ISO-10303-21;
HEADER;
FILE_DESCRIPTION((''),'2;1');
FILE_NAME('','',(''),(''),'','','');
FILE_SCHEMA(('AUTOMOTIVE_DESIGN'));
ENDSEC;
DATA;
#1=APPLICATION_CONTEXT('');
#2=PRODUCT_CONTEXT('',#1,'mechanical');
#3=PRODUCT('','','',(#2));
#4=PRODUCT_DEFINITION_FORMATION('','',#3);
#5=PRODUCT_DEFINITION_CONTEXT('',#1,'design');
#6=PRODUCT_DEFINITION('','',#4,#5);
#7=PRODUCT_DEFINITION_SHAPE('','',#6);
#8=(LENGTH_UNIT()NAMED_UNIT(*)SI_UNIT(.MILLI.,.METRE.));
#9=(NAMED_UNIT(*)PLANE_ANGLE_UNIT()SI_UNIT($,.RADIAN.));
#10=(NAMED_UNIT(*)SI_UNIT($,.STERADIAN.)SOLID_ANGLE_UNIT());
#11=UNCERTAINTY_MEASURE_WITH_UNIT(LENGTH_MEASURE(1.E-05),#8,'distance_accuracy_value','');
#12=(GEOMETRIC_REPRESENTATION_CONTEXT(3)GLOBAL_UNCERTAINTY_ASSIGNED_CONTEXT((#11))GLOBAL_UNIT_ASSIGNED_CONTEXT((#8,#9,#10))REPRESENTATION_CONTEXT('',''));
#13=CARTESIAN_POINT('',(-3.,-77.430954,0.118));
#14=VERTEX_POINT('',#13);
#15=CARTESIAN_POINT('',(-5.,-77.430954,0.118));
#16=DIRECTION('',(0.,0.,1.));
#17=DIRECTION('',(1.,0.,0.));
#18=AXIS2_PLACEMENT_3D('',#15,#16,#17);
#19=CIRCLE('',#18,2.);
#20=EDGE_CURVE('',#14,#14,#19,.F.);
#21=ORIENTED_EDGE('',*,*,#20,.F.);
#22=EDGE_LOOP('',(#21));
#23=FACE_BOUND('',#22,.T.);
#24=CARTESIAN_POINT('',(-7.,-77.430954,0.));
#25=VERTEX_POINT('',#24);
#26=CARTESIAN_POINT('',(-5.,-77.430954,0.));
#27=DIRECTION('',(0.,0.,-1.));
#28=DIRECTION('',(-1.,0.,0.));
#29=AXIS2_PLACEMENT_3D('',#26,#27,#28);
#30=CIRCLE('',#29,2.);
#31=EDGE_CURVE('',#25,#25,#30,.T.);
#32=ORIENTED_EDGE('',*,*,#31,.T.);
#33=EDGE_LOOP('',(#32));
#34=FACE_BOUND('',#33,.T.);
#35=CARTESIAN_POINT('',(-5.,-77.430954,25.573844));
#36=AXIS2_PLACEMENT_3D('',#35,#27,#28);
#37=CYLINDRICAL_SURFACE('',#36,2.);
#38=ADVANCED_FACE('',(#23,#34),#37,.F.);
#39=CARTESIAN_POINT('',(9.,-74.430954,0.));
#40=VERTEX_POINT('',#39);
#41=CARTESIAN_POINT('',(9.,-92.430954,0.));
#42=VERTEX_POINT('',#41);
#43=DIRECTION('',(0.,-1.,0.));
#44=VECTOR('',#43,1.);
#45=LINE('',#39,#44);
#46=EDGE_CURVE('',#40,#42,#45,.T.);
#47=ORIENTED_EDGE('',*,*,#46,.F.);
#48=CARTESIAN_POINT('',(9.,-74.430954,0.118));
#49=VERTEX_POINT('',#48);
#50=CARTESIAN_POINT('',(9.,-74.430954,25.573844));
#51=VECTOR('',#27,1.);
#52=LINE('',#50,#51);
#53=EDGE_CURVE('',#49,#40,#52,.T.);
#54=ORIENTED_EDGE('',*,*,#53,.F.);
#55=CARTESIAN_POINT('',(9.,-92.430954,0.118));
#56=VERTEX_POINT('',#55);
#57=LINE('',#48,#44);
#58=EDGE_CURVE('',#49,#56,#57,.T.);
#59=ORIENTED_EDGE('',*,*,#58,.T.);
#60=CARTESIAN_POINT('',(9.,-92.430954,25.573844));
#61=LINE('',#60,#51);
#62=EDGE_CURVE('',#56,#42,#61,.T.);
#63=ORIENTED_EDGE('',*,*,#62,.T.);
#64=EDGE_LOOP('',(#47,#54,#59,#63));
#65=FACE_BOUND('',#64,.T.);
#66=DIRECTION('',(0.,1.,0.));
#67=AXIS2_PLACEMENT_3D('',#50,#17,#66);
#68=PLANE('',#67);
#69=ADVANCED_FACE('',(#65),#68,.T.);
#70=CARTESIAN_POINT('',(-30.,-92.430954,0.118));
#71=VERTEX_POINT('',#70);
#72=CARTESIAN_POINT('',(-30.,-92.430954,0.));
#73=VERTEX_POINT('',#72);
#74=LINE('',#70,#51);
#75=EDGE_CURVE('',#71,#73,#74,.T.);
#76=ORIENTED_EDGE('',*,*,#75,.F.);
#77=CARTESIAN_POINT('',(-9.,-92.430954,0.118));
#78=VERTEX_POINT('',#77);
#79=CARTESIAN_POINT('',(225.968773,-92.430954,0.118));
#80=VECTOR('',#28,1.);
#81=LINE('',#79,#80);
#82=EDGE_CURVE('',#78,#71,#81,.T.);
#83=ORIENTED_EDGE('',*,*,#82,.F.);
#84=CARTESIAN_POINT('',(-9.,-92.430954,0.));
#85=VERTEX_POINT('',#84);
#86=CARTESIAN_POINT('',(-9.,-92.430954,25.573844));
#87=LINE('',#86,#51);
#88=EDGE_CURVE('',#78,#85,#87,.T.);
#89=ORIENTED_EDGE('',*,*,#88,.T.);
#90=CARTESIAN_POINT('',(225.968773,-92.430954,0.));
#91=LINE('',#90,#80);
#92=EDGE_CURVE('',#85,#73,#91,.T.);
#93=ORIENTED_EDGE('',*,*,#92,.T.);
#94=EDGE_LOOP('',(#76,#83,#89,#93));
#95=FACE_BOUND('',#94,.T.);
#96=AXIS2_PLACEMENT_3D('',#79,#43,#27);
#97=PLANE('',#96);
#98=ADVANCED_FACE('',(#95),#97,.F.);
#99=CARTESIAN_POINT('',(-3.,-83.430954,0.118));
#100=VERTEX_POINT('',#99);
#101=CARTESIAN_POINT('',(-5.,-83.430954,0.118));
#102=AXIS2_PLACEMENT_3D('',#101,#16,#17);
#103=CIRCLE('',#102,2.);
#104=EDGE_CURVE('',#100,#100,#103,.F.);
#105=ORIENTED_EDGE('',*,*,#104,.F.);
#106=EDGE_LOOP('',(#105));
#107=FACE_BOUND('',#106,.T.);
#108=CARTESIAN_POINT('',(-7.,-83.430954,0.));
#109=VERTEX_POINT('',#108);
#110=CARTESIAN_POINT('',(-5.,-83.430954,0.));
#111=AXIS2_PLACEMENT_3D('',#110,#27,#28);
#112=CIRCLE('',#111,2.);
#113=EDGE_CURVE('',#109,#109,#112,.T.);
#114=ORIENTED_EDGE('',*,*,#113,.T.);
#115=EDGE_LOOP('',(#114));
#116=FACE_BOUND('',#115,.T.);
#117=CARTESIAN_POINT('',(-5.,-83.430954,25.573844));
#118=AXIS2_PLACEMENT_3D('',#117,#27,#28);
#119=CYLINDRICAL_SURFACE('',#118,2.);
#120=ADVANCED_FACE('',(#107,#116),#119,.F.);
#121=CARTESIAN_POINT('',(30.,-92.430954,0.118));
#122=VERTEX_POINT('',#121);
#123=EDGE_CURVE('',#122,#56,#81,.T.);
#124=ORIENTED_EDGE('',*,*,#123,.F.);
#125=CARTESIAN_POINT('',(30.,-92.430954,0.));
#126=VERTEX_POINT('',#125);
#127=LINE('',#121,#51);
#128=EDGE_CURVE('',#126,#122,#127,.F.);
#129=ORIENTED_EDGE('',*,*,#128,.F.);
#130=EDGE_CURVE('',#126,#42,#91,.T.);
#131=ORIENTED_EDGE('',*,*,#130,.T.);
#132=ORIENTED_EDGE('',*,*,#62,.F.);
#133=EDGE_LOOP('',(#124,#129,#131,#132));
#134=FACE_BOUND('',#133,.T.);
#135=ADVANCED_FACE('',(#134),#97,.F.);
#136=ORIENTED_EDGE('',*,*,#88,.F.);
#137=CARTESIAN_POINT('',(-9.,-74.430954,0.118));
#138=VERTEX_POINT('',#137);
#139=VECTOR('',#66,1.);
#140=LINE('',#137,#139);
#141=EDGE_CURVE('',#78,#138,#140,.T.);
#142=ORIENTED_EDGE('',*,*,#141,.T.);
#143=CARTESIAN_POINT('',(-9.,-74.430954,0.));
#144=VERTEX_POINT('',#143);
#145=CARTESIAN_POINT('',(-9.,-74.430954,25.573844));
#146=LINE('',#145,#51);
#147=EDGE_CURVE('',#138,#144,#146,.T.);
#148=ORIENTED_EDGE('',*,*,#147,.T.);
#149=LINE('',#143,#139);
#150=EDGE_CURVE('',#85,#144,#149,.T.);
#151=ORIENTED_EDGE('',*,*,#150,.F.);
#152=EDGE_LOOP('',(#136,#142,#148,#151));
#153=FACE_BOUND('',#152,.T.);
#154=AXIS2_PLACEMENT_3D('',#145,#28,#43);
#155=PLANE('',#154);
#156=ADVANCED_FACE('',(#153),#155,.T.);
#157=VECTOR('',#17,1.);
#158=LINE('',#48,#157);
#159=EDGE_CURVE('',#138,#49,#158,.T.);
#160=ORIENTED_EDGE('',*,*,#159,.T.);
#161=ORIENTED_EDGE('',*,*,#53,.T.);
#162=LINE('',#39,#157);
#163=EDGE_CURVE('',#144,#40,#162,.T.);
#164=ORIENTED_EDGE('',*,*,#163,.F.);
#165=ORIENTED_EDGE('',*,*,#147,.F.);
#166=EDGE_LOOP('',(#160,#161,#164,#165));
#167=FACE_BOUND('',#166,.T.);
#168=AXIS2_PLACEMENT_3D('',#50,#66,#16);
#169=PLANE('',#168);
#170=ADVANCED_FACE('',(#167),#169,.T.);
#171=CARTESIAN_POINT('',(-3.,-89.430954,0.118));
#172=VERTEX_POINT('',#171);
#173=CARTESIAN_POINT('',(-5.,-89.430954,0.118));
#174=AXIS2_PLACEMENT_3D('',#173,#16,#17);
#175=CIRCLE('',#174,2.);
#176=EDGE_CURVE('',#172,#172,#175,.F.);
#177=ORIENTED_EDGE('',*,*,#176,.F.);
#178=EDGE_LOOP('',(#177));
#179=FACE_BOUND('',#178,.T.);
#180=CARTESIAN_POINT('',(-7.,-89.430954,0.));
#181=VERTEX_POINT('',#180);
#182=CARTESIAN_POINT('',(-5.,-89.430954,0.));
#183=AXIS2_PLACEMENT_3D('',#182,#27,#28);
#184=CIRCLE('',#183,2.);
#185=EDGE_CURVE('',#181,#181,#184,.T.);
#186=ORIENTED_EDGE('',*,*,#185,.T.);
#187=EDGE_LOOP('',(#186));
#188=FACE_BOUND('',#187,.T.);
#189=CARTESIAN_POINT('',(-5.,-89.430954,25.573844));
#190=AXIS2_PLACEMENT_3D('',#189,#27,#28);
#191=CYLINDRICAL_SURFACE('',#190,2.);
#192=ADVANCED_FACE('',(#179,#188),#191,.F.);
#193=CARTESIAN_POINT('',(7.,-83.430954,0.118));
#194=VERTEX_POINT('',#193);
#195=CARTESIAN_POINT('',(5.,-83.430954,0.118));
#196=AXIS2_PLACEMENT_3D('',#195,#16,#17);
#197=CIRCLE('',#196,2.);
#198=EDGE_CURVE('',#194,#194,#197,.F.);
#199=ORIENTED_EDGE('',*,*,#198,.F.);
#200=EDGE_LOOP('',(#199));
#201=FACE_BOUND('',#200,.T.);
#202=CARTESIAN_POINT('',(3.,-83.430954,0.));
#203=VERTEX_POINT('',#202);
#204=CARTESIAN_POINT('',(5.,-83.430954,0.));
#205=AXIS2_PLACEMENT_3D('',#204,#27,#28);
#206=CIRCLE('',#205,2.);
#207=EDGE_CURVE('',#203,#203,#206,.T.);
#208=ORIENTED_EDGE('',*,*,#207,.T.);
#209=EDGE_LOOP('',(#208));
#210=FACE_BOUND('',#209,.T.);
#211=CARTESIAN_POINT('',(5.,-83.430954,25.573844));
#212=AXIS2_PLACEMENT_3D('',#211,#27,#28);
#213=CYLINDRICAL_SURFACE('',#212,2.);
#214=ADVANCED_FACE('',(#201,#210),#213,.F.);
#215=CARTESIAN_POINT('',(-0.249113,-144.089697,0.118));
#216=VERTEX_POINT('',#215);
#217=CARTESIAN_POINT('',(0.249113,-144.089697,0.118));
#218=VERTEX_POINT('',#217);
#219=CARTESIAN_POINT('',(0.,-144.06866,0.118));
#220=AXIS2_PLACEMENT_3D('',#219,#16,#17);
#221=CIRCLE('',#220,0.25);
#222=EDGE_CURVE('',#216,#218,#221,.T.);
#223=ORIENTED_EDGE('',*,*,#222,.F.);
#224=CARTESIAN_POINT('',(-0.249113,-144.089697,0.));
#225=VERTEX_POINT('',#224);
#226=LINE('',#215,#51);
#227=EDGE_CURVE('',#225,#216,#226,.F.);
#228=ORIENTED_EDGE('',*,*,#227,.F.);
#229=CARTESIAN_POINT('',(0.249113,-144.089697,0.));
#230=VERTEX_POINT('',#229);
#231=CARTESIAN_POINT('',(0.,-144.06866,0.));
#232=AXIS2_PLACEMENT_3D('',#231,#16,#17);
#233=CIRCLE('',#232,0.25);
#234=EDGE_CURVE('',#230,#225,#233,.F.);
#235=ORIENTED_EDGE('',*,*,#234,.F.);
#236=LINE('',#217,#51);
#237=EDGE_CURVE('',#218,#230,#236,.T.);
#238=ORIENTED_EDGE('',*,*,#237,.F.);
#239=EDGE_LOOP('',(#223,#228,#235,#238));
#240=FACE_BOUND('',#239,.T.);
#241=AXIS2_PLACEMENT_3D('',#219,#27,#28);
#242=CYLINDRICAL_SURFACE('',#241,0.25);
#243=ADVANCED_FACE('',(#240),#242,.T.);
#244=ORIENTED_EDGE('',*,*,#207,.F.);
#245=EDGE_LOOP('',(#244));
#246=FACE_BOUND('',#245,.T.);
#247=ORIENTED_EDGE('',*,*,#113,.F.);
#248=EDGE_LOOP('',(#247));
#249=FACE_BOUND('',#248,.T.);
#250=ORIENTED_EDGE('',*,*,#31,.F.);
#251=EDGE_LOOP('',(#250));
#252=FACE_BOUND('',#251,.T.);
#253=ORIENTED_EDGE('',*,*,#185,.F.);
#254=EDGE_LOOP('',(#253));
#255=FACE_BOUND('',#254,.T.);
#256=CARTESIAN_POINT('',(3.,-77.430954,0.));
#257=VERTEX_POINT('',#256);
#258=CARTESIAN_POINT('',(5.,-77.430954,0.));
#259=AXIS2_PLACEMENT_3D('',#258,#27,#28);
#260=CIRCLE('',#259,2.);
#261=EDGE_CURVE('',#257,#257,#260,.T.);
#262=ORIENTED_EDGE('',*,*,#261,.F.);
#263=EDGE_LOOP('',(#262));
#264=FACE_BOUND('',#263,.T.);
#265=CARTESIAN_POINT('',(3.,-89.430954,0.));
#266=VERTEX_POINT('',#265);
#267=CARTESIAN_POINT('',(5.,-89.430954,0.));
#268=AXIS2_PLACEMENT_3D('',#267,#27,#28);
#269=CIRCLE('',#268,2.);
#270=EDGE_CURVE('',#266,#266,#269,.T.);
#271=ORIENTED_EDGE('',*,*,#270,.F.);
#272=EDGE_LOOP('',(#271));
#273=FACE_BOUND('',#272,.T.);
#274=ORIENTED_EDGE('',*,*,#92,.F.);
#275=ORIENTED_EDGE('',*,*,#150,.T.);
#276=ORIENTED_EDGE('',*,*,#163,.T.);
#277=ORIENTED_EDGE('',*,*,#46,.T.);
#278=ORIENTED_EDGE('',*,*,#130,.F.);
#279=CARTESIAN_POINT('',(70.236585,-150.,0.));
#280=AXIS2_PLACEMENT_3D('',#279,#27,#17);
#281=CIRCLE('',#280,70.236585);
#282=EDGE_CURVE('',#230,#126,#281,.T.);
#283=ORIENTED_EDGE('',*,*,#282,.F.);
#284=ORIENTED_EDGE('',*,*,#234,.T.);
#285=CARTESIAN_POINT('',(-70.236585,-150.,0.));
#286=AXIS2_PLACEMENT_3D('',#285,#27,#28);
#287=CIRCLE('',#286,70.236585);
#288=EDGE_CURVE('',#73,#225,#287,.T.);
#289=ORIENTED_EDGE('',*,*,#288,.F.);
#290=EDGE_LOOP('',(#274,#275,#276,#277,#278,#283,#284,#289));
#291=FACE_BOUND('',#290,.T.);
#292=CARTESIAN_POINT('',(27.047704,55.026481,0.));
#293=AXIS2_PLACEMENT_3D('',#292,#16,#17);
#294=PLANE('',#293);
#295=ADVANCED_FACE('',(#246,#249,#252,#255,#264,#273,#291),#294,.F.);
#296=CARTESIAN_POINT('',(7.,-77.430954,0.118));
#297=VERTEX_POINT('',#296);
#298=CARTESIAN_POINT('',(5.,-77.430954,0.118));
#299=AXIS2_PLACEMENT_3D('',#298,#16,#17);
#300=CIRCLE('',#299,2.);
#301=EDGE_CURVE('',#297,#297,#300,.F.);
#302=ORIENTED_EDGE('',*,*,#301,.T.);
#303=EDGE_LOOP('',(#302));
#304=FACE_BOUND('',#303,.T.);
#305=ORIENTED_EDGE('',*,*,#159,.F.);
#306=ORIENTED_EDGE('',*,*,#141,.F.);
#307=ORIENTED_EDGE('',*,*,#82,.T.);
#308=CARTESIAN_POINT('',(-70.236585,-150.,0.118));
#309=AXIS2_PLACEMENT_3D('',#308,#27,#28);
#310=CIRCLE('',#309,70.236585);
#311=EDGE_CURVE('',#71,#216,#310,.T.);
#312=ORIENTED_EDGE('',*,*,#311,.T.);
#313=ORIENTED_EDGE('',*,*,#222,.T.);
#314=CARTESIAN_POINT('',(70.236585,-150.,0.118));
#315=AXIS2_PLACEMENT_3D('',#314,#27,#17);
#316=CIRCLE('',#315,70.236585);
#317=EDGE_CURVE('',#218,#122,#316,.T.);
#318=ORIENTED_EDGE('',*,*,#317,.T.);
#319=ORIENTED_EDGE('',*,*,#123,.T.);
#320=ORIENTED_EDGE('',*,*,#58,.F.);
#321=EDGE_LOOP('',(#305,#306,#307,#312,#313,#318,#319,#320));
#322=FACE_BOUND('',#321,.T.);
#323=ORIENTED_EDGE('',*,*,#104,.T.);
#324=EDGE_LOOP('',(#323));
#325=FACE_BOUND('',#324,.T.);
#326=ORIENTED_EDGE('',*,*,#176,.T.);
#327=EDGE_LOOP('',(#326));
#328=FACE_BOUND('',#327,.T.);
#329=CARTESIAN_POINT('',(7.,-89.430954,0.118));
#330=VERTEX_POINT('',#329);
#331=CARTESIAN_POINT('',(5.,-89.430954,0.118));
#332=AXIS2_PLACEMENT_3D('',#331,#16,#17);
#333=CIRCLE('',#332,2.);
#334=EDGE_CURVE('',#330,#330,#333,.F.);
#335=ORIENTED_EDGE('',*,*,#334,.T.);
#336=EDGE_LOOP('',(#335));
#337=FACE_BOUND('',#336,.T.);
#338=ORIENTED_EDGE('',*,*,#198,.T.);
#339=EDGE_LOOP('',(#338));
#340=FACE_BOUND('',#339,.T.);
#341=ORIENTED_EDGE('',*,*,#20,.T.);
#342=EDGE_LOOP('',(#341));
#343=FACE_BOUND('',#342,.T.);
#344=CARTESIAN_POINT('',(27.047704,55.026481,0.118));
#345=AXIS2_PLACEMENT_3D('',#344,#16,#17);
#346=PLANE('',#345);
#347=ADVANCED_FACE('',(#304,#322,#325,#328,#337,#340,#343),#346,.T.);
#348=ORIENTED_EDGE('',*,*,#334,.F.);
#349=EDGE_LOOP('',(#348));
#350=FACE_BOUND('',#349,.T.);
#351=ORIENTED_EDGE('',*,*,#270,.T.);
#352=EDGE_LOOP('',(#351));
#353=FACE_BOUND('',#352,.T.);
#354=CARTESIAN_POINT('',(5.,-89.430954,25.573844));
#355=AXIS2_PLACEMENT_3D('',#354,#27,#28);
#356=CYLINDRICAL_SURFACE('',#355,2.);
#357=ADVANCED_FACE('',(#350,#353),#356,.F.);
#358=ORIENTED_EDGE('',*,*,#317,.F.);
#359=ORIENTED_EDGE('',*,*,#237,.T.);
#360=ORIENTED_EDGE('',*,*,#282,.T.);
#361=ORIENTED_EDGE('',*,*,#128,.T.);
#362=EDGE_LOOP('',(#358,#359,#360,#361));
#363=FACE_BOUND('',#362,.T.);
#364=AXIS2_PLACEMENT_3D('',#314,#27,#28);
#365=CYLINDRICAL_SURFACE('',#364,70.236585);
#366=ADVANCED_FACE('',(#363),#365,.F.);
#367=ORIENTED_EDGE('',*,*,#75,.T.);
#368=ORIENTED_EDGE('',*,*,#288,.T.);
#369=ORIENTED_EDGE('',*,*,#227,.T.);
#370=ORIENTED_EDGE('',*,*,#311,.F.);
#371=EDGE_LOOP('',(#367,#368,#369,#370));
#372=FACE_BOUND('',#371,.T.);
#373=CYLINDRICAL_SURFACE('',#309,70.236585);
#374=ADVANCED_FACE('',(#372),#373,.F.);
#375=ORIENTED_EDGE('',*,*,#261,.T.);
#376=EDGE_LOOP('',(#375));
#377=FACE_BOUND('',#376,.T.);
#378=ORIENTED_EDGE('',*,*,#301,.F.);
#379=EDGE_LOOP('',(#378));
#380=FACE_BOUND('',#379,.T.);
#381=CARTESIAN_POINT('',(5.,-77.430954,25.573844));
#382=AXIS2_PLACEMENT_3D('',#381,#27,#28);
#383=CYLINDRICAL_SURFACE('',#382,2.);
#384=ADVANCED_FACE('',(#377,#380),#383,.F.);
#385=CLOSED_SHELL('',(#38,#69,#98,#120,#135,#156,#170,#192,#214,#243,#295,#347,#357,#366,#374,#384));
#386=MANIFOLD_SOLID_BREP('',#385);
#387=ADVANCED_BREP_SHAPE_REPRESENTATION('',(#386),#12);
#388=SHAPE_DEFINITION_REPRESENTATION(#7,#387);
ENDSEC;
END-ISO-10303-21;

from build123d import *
from OCP.BRepFilletAPI import BRepFilletAPI_MakeChamfer

# Parameters (mm, degrees)
SKETCH2_R           = 1.5875
BOSS_EXTRUDE1_DEPTH = 0.118
SKETCH3_R           = 2
CUT_EXTRUDE1_DEPTH  = 267.27056526
CHAMFER1_SIZE       = 20
CHAMFER1_SIZE2      = 24.415491775
SKETCH4_W           = 440.908945527
SKETCH4_H           = 173.352966469
CUT_EXTRUDE4_DEPTH  = 251.000027848
SKETCH5_W           = 18
SKETCH5_H           = 18
SKETCH5_R           = 2
BOSS_EXTRUDE2_DEPTH = 0.118
FILLET1_R           = 0.25


with BuildPart() as part:
    # Sketch2 → Boss-Extrude1 (new body)
    with BuildSketch(Plane.XY):
        with BuildLine():
            Line((99.563224144, -21.926473835), (48.69, -83.15))
            ThreePointArc((48.69, -83.15), (13.462751156, -108.648946204), (0, -150))
            ThreePointArc((0, -150), (-13.462751156, -108.648946204), (-48.69, -83.15))
            Line((-48.69, -83.15), (-99.563224144, -21.926473835))
            Line((-99.563224144, -21.926473835), (-140, -21.926473835))
            ThreePointArc((-140, -21.926473835), (-145.965681261, -3.736597624), (-158.952536164, 10.327631798))
            Line((-158.952536164, 10.327631798), (-220, 53.073526165))
            Line((-220, 53.073526165), (-67, 53.073526165))
            ThreePointArc((-67, 53.073526165), (-51.137889855, 23.094319589), (-17.95554779, 16.073526165))
            Line((-17.95554779, 16.073526165), (-15.117733438, 43.073526165))
            Line((-15.117733438, 43.073526165), (-12, 30.568980335))
            ThreePointArc((-12, 30.568980335), (0, 33.073526165), (12, 30.568980335))
            Line((12, 30.568980335), (15.117733438, 43.073526165))
            Line((15.117733438, 43.073526165), (17.95554779, 16.073526165))
            ThreePointArc((17.95554779, 16.073526165), (51.137889855, 23.094319589), (67, 53.073526165))
            Line((67, 53.073526165), (220, 53.073526165))
            Line((220, 53.073526165), (158.952536164, 10.327631798))
            ThreePointArc((158.952536164, 10.327631798), (145.965681261, -3.736597624), (140, -21.926473835))
            Line((140, -21.926473835), (99.563224144, -21.926473835))
        make_face()
        with Locations((46.19, 13)):
            Circle(SKETCH2_R, mode=Mode.SUBTRACT)
        with Locations((-46.19, 13)):
            Circle(SKETCH2_R, mode=Mode.SUBTRACT)
        with Locations((46.19, -80.65)):
            Circle(SKETCH2_R, mode=Mode.SUBTRACT)
        with Locations((-46.19, -80.65)):
            Circle(SKETCH2_R, mode=Mode.SUBTRACT)
    extrude(amount=BOSS_EXTRUDE1_DEPTH)

    # Sketch3 → Cut-Extrude1 (cut, through all)
    with BuildSketch(Plane(origin=(0, 0, 0), x_dir=(-1, 0, 0), z_dir=(0, 0, -1))):
        with Locations((165, 49.573526165)):
            Circle(SKETCH3_R)
        with Locations((165, 19.573526165)):
            Circle(SKETCH3_R)
        with Locations((150, 34.573526165)):
            Circle(SKETCH3_R)
    cut_extrude1 = extrude(amount=-CUT_EXTRUDE1_DEPTH, mode=Mode.SUBTRACT)

    # Mirror2: Cut-Extrude1 across plane
    add(cut_extrude1.mirror(Plane(origin=(0, 0, 0), x_dir=(0, 0, 1), z_dir=(1, 0, 0))), mode=Mode.SUBTRACT)

    # Chamfer1: one chamfer whose edges measure the first distance from different faces: ONE call of the kernel's chamfer builder (chamfer() names one face for all edges)
    chamfer1_edges_1 = [part.edges().sort_by_distance(p)[0] for p in [
        (220, 53.073526165, 0.059),
    ]]
    chamfer1_side_1 = [part.faces().sort_by_distance(p)[0] for p in [
        (143.5, 53.073526165, 0.059),
    ]]
    chamfer1_edges_2 = [part.edges().sort_by_distance(p)[0] for p in [
        (-220, 53.073526165, 0.059),
    ]]
    chamfer1_side_2 = [part.faces().sort_by_distance(p)[0] for p in [
        (-143.5, 53.073526165, 0.059),
    ]]
    chamfer1 = BRepFilletAPI_MakeChamfer(part.part.solid().wrapped)
    for e in chamfer1_edges_1:
        chamfer1.Add(CHAMFER1_SIZE, CHAMFER1_SIZE2, e.wrapped, chamfer1_side_1[0].wrapped)  # the first distance lies on this face
    for e in chamfer1_edges_2:
        chamfer1.Add(CHAMFER1_SIZE, CHAMFER1_SIZE2, e.wrapped, chamfer1_side_2[0].wrapped)  # the first distance lies on this face
    add(Compound.cast(chamfer1.Shape()), mode=Mode.REPLACE)

    # Sketch4 → Cut-Extrude4 (cut, through all)
    with BuildSketch(Plane(origin=(0, 0, 0), x_dir=(-1, 0, 0), z_dir=(0, 0, -1))):
        with Locations((-5.514300507, -5.754470648)):
            Rectangle(SKETCH4_W, SKETCH4_H)
    extrude(amount=-CUT_EXTRUDE4_DEPTH, mode=Mode.SUBTRACT)

    # Sketch5 → Boss-Extrude2 (add)
    with BuildSketch(Plane(origin=(0, 0, 0), x_dir=(-1, 0, 0), z_dir=(0, 0, -1))):
        with Locations((0, -83.430953883)):
            Rectangle(SKETCH5_W, SKETCH5_H)
        with Locations((-5, -89.430953883)):
            Circle(SKETCH5_R, mode=Mode.SUBTRACT)
        with Locations((5, -89.430953883)):
            Circle(SKETCH5_R, mode=Mode.SUBTRACT)
        with Locations((-5, -83.430953883)):
            Circle(SKETCH5_R, mode=Mode.SUBTRACT)
        with Locations((5, -83.430953883)):
            Circle(SKETCH5_R, mode=Mode.SUBTRACT)
        with Locations((-5, -77.430953883)):
            Circle(SKETCH5_R, mode=Mode.SUBTRACT)
        with Locations((5, -77.430953883)):
            Circle(SKETCH5_R, mode=Mode.SUBTRACT)
    extrude(amount=-BOSS_EXTRUDE2_DEPTH)

    # Fillet1
    fillet1_edges = [part.edges().sort_by_distance(p)[0] for p in [
        (0, -150, 0.059),
    ]]
    fillet(fillet1_edges, radius=FILLET1_R)


solid = part.part
